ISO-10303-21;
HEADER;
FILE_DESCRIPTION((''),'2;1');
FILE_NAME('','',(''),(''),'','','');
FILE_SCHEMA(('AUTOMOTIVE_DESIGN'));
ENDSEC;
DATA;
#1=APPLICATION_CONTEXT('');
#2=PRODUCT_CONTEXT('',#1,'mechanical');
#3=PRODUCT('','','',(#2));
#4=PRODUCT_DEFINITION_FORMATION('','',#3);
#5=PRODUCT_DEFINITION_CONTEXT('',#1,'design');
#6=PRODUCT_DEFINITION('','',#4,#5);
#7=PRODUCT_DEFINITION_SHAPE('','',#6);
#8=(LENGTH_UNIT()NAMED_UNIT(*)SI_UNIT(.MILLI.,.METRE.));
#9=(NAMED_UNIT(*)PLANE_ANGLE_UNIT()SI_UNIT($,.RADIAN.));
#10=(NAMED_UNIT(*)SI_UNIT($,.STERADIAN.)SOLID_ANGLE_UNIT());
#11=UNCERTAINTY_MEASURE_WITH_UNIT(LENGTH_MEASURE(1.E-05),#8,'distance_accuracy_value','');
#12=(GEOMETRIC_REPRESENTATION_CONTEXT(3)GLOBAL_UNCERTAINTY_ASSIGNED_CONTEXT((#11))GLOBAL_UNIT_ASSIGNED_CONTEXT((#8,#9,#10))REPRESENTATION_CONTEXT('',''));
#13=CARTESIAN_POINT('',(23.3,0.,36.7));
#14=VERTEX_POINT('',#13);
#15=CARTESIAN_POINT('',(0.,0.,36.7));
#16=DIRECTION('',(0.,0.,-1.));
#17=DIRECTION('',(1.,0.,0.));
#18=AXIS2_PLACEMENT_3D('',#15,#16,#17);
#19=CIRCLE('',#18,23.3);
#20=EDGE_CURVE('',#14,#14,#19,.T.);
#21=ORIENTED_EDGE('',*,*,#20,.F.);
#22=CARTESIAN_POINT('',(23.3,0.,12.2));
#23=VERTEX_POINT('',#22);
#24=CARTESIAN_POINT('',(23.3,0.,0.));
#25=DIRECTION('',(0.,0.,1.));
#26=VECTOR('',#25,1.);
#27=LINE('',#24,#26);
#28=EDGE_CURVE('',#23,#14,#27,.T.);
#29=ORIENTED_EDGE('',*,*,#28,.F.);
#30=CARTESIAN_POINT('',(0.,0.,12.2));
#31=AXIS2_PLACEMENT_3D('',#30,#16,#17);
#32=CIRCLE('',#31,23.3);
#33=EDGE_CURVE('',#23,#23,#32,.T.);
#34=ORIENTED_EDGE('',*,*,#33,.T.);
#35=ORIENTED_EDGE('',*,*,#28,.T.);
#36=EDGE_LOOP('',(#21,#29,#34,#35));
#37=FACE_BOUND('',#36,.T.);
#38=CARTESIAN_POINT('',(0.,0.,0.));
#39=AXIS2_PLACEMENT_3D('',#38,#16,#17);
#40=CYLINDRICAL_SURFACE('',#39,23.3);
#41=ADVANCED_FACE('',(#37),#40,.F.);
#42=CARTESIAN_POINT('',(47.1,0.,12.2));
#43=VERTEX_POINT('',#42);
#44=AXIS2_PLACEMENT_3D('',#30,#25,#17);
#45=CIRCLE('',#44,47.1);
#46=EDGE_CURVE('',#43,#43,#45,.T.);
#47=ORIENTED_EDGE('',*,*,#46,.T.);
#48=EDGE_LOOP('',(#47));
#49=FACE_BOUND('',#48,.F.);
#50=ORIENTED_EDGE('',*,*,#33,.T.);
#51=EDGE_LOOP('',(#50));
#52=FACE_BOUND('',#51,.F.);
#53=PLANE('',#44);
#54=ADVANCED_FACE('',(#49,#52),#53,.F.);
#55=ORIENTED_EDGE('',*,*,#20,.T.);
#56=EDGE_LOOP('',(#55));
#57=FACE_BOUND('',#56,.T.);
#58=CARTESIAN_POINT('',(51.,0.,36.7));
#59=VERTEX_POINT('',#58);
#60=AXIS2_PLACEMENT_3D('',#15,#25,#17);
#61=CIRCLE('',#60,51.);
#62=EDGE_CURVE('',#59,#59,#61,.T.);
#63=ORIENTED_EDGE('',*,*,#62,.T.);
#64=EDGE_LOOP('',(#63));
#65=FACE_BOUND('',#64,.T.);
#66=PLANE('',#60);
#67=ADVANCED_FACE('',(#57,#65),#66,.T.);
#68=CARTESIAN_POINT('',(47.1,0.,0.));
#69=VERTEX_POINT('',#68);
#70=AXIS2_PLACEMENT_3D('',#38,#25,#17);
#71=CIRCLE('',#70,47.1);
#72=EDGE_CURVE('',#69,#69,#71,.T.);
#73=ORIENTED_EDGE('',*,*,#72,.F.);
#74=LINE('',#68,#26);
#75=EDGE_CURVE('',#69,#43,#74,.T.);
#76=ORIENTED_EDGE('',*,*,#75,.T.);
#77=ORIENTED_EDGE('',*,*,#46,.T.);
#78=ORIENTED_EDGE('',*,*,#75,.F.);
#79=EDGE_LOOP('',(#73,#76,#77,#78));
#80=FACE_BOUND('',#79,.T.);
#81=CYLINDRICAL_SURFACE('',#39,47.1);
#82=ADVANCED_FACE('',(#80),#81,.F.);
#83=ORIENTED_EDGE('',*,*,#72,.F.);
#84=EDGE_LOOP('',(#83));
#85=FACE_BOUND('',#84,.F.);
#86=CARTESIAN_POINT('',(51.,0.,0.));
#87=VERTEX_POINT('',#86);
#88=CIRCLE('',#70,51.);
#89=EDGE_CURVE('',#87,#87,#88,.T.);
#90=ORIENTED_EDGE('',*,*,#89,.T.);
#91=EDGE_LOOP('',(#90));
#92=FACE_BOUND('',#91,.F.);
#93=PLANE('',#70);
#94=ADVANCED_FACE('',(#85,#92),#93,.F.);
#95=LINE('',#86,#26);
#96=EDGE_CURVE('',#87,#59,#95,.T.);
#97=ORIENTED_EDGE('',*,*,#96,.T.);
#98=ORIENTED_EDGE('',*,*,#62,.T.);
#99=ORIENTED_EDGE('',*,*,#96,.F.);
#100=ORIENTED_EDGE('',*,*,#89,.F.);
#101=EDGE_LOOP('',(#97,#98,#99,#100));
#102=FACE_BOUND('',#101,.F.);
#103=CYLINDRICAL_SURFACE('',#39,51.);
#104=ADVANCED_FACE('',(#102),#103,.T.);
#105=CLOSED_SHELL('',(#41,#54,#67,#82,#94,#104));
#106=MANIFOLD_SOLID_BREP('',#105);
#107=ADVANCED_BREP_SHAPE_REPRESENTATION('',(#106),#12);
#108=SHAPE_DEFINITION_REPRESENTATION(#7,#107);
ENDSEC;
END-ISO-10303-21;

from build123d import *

# Parameters (mm, degrees)
F0_R     = 51
F1_DEPTH = 36.7
F2_R     = 47.1
F3_DEPTH = 12.2
F4_R     = 23.3
F5_DEPTH = 85


with BuildPart() as f1:
    # F0 (on Top) → F1 (new body)
    with BuildSketch(Plane.XY):
        Circle(F0_R)
    extrude(amount=F1_DEPTH)

    # F2 (on Top) → F3 (cut)
    with BuildSketch(Plane.XY):
        Circle(F2_R)
    extrude(amount=F3_DEPTH, mode=Mode.SUBTRACT)

    # F4 (on Top) → F5 (cut)
    with BuildSketch(Plane.XY):
        Circle(F4_R)
    extrude(amount=F5_DEPTH, mode=Mode.SUBTRACT)


solid = f1.part
